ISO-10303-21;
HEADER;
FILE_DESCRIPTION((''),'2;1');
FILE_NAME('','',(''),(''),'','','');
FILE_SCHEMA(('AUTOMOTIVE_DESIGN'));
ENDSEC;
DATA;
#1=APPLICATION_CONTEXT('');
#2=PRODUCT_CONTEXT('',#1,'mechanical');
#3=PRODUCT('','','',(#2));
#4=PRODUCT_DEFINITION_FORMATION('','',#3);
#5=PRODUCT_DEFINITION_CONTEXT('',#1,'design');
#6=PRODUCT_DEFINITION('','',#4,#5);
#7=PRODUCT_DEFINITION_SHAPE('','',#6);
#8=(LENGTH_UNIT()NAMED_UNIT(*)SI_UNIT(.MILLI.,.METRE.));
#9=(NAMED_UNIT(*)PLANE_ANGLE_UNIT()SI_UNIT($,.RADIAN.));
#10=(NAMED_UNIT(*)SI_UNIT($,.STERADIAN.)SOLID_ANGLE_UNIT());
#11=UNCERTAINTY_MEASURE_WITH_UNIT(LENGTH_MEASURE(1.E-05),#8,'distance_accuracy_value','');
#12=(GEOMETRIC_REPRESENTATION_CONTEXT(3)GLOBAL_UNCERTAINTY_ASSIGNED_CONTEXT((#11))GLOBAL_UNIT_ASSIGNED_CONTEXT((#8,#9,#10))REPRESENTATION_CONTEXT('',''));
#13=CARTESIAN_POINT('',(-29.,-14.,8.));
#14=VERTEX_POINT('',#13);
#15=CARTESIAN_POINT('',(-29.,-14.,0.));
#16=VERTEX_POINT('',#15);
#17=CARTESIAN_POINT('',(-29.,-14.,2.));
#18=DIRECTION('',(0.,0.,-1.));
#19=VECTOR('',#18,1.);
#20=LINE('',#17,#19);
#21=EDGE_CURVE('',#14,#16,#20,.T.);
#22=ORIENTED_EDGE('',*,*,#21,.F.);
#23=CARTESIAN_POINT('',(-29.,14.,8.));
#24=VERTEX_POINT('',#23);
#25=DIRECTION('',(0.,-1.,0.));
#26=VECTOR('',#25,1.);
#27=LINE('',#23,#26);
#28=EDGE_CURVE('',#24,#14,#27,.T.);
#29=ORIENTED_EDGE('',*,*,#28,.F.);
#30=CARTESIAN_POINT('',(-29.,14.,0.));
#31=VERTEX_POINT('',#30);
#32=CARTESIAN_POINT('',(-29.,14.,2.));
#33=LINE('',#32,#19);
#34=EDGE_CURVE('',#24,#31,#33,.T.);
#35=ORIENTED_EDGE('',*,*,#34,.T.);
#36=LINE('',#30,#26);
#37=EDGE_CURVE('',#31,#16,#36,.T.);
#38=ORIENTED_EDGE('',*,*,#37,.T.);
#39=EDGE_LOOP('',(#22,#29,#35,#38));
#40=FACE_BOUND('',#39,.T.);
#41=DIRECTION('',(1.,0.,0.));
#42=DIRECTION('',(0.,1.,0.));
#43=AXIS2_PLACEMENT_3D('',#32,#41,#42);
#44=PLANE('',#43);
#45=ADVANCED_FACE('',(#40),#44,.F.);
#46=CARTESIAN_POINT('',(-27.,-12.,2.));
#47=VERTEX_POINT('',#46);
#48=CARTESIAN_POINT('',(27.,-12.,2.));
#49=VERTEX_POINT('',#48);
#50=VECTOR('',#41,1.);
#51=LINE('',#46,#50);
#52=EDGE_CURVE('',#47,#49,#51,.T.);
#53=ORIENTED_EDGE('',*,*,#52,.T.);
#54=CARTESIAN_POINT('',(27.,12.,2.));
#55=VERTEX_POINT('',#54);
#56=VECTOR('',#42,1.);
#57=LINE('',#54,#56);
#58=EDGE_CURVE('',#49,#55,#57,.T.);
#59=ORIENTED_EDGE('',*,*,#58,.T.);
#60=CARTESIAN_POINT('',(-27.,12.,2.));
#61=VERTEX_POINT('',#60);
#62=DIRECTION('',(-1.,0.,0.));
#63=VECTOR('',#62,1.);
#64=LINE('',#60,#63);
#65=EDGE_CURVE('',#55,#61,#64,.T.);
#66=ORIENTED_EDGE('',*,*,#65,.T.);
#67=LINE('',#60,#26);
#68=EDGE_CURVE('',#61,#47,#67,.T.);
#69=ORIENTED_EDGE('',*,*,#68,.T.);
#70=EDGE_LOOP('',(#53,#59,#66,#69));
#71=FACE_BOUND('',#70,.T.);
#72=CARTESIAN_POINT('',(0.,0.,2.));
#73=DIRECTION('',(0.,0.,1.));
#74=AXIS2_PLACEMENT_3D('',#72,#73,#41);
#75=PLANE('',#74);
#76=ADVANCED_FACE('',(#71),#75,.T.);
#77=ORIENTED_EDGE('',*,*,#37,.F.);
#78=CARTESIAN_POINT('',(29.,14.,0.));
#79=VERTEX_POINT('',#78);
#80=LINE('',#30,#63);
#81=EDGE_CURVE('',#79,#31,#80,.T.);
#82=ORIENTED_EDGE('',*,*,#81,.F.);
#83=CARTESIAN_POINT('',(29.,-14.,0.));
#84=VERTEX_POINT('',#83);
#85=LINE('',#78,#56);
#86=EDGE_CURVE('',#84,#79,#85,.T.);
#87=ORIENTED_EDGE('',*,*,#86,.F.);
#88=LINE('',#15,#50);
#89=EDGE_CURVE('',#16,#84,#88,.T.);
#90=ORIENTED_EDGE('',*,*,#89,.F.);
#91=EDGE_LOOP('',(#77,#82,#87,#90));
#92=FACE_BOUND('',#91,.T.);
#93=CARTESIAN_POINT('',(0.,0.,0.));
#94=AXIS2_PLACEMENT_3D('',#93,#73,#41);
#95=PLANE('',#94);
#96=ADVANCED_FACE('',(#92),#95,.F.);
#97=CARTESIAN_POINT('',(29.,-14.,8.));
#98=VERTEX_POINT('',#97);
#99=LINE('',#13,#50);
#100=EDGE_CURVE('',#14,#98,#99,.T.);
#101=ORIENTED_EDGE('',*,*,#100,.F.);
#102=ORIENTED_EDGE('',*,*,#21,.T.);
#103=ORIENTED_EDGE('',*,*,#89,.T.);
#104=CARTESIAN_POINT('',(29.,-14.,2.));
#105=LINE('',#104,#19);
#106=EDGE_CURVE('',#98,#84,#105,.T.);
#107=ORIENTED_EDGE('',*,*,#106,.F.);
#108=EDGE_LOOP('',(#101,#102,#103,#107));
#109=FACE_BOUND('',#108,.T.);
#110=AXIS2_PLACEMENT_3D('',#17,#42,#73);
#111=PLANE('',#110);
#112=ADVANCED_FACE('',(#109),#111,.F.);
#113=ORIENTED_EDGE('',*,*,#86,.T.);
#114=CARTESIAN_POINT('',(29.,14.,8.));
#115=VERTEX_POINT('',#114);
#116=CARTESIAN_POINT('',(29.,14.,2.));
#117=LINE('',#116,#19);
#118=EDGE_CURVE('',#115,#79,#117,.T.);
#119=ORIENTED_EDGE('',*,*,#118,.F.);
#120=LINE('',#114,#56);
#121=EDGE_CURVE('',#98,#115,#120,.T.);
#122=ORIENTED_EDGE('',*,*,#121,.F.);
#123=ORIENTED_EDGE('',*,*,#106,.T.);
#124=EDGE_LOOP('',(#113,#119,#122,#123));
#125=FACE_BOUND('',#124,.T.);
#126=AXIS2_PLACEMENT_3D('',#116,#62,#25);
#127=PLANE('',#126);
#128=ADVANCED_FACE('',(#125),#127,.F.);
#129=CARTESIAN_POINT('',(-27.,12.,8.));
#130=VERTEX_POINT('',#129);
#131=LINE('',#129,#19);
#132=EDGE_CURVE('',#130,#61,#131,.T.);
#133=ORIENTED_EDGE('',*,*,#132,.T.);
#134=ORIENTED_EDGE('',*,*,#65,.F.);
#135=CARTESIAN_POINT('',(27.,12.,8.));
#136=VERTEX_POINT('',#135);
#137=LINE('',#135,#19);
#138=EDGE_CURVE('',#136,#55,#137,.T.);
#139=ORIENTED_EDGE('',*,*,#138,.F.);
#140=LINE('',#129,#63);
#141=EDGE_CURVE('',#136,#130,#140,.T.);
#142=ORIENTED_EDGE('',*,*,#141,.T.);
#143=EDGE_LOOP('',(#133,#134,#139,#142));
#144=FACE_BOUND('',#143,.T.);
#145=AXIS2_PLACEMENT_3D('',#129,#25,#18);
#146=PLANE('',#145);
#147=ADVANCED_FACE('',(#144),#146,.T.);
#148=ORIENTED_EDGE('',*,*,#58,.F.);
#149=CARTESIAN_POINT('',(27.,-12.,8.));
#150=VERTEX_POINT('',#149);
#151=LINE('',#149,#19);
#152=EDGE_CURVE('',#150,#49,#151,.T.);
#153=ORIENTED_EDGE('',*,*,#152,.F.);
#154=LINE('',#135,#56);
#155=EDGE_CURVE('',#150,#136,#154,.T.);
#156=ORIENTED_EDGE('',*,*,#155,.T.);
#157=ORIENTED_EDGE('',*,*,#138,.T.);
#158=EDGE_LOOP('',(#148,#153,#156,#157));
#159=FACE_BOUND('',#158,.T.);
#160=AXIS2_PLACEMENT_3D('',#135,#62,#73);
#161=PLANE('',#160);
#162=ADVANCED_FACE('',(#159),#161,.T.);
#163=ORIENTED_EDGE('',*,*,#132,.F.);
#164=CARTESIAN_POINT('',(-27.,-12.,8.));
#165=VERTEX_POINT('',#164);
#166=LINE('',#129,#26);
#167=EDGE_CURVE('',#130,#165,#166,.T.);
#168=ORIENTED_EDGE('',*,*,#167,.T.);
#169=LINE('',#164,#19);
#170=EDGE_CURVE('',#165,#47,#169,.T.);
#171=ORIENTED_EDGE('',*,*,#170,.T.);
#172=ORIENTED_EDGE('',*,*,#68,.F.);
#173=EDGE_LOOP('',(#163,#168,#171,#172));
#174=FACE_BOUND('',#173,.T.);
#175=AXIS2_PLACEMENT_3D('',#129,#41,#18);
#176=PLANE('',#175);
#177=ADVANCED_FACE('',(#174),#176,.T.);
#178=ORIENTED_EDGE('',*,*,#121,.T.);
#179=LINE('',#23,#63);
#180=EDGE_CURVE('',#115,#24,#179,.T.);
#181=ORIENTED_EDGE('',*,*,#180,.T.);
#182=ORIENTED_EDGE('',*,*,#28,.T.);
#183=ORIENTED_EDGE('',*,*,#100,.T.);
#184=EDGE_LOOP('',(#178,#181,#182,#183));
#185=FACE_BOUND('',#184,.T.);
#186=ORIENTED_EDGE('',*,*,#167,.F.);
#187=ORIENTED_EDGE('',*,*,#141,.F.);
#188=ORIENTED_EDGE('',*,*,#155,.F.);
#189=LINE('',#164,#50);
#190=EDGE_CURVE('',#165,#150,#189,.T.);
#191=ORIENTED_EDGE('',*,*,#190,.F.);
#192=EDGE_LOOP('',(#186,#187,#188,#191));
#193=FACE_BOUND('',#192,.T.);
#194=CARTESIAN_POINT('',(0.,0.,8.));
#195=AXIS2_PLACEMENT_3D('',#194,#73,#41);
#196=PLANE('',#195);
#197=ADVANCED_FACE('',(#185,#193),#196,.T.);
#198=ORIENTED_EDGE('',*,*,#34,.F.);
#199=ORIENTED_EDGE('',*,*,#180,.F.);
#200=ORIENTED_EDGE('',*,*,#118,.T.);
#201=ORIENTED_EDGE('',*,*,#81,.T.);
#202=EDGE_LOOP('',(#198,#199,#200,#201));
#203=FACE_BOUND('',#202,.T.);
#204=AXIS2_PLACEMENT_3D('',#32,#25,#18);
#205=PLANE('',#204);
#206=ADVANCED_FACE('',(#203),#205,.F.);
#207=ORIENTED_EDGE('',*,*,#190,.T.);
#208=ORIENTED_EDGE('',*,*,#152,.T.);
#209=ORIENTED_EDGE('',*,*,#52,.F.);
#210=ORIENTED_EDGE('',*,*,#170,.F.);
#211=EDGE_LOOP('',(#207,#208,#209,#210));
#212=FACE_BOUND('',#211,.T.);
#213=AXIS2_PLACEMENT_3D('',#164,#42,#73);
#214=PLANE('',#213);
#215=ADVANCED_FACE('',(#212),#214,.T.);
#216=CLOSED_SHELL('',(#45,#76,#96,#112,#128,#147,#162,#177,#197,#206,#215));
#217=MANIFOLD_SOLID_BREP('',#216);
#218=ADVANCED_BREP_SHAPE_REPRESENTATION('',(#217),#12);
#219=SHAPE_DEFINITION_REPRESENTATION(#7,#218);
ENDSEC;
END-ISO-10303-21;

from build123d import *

# Parameters (mm, degrees)
CROQUIS1_W              = 58
CROQUIS1_H              = 28
SALIENTE_EXTRUIR1_DEPTH = 2
CROQUIS2_W              = 58
CROQUIS2_H              = 28
CROQUIS2_W_2            = 54
CROQUIS2_H_2            = 24
SALIENTE_EXTRUIR2_DEPTH = 6


with BuildPart() as part:
    # Croquis1 → Saliente-Extruir1 (new body)
    with BuildSketch(Plane.XY):
        Rectangle(CROQUIS1_W, CROQUIS1_H)
    extrude(amount=SALIENTE_EXTRUIR1_DEPTH)

    # Croquis2 → Saliente-Extruir2 (add)
    with BuildSketch(Plane.XY.offset(2)):
        Rectangle(CROQUIS2_W, CROQUIS2_H)
        Rectangle(CROQUIS2_W_2, CROQUIS2_H_2, mode=Mode.SUBTRACT)
    extrude(amount=SALIENTE_EXTRUIR2_DEPTH)


solid = part.part
